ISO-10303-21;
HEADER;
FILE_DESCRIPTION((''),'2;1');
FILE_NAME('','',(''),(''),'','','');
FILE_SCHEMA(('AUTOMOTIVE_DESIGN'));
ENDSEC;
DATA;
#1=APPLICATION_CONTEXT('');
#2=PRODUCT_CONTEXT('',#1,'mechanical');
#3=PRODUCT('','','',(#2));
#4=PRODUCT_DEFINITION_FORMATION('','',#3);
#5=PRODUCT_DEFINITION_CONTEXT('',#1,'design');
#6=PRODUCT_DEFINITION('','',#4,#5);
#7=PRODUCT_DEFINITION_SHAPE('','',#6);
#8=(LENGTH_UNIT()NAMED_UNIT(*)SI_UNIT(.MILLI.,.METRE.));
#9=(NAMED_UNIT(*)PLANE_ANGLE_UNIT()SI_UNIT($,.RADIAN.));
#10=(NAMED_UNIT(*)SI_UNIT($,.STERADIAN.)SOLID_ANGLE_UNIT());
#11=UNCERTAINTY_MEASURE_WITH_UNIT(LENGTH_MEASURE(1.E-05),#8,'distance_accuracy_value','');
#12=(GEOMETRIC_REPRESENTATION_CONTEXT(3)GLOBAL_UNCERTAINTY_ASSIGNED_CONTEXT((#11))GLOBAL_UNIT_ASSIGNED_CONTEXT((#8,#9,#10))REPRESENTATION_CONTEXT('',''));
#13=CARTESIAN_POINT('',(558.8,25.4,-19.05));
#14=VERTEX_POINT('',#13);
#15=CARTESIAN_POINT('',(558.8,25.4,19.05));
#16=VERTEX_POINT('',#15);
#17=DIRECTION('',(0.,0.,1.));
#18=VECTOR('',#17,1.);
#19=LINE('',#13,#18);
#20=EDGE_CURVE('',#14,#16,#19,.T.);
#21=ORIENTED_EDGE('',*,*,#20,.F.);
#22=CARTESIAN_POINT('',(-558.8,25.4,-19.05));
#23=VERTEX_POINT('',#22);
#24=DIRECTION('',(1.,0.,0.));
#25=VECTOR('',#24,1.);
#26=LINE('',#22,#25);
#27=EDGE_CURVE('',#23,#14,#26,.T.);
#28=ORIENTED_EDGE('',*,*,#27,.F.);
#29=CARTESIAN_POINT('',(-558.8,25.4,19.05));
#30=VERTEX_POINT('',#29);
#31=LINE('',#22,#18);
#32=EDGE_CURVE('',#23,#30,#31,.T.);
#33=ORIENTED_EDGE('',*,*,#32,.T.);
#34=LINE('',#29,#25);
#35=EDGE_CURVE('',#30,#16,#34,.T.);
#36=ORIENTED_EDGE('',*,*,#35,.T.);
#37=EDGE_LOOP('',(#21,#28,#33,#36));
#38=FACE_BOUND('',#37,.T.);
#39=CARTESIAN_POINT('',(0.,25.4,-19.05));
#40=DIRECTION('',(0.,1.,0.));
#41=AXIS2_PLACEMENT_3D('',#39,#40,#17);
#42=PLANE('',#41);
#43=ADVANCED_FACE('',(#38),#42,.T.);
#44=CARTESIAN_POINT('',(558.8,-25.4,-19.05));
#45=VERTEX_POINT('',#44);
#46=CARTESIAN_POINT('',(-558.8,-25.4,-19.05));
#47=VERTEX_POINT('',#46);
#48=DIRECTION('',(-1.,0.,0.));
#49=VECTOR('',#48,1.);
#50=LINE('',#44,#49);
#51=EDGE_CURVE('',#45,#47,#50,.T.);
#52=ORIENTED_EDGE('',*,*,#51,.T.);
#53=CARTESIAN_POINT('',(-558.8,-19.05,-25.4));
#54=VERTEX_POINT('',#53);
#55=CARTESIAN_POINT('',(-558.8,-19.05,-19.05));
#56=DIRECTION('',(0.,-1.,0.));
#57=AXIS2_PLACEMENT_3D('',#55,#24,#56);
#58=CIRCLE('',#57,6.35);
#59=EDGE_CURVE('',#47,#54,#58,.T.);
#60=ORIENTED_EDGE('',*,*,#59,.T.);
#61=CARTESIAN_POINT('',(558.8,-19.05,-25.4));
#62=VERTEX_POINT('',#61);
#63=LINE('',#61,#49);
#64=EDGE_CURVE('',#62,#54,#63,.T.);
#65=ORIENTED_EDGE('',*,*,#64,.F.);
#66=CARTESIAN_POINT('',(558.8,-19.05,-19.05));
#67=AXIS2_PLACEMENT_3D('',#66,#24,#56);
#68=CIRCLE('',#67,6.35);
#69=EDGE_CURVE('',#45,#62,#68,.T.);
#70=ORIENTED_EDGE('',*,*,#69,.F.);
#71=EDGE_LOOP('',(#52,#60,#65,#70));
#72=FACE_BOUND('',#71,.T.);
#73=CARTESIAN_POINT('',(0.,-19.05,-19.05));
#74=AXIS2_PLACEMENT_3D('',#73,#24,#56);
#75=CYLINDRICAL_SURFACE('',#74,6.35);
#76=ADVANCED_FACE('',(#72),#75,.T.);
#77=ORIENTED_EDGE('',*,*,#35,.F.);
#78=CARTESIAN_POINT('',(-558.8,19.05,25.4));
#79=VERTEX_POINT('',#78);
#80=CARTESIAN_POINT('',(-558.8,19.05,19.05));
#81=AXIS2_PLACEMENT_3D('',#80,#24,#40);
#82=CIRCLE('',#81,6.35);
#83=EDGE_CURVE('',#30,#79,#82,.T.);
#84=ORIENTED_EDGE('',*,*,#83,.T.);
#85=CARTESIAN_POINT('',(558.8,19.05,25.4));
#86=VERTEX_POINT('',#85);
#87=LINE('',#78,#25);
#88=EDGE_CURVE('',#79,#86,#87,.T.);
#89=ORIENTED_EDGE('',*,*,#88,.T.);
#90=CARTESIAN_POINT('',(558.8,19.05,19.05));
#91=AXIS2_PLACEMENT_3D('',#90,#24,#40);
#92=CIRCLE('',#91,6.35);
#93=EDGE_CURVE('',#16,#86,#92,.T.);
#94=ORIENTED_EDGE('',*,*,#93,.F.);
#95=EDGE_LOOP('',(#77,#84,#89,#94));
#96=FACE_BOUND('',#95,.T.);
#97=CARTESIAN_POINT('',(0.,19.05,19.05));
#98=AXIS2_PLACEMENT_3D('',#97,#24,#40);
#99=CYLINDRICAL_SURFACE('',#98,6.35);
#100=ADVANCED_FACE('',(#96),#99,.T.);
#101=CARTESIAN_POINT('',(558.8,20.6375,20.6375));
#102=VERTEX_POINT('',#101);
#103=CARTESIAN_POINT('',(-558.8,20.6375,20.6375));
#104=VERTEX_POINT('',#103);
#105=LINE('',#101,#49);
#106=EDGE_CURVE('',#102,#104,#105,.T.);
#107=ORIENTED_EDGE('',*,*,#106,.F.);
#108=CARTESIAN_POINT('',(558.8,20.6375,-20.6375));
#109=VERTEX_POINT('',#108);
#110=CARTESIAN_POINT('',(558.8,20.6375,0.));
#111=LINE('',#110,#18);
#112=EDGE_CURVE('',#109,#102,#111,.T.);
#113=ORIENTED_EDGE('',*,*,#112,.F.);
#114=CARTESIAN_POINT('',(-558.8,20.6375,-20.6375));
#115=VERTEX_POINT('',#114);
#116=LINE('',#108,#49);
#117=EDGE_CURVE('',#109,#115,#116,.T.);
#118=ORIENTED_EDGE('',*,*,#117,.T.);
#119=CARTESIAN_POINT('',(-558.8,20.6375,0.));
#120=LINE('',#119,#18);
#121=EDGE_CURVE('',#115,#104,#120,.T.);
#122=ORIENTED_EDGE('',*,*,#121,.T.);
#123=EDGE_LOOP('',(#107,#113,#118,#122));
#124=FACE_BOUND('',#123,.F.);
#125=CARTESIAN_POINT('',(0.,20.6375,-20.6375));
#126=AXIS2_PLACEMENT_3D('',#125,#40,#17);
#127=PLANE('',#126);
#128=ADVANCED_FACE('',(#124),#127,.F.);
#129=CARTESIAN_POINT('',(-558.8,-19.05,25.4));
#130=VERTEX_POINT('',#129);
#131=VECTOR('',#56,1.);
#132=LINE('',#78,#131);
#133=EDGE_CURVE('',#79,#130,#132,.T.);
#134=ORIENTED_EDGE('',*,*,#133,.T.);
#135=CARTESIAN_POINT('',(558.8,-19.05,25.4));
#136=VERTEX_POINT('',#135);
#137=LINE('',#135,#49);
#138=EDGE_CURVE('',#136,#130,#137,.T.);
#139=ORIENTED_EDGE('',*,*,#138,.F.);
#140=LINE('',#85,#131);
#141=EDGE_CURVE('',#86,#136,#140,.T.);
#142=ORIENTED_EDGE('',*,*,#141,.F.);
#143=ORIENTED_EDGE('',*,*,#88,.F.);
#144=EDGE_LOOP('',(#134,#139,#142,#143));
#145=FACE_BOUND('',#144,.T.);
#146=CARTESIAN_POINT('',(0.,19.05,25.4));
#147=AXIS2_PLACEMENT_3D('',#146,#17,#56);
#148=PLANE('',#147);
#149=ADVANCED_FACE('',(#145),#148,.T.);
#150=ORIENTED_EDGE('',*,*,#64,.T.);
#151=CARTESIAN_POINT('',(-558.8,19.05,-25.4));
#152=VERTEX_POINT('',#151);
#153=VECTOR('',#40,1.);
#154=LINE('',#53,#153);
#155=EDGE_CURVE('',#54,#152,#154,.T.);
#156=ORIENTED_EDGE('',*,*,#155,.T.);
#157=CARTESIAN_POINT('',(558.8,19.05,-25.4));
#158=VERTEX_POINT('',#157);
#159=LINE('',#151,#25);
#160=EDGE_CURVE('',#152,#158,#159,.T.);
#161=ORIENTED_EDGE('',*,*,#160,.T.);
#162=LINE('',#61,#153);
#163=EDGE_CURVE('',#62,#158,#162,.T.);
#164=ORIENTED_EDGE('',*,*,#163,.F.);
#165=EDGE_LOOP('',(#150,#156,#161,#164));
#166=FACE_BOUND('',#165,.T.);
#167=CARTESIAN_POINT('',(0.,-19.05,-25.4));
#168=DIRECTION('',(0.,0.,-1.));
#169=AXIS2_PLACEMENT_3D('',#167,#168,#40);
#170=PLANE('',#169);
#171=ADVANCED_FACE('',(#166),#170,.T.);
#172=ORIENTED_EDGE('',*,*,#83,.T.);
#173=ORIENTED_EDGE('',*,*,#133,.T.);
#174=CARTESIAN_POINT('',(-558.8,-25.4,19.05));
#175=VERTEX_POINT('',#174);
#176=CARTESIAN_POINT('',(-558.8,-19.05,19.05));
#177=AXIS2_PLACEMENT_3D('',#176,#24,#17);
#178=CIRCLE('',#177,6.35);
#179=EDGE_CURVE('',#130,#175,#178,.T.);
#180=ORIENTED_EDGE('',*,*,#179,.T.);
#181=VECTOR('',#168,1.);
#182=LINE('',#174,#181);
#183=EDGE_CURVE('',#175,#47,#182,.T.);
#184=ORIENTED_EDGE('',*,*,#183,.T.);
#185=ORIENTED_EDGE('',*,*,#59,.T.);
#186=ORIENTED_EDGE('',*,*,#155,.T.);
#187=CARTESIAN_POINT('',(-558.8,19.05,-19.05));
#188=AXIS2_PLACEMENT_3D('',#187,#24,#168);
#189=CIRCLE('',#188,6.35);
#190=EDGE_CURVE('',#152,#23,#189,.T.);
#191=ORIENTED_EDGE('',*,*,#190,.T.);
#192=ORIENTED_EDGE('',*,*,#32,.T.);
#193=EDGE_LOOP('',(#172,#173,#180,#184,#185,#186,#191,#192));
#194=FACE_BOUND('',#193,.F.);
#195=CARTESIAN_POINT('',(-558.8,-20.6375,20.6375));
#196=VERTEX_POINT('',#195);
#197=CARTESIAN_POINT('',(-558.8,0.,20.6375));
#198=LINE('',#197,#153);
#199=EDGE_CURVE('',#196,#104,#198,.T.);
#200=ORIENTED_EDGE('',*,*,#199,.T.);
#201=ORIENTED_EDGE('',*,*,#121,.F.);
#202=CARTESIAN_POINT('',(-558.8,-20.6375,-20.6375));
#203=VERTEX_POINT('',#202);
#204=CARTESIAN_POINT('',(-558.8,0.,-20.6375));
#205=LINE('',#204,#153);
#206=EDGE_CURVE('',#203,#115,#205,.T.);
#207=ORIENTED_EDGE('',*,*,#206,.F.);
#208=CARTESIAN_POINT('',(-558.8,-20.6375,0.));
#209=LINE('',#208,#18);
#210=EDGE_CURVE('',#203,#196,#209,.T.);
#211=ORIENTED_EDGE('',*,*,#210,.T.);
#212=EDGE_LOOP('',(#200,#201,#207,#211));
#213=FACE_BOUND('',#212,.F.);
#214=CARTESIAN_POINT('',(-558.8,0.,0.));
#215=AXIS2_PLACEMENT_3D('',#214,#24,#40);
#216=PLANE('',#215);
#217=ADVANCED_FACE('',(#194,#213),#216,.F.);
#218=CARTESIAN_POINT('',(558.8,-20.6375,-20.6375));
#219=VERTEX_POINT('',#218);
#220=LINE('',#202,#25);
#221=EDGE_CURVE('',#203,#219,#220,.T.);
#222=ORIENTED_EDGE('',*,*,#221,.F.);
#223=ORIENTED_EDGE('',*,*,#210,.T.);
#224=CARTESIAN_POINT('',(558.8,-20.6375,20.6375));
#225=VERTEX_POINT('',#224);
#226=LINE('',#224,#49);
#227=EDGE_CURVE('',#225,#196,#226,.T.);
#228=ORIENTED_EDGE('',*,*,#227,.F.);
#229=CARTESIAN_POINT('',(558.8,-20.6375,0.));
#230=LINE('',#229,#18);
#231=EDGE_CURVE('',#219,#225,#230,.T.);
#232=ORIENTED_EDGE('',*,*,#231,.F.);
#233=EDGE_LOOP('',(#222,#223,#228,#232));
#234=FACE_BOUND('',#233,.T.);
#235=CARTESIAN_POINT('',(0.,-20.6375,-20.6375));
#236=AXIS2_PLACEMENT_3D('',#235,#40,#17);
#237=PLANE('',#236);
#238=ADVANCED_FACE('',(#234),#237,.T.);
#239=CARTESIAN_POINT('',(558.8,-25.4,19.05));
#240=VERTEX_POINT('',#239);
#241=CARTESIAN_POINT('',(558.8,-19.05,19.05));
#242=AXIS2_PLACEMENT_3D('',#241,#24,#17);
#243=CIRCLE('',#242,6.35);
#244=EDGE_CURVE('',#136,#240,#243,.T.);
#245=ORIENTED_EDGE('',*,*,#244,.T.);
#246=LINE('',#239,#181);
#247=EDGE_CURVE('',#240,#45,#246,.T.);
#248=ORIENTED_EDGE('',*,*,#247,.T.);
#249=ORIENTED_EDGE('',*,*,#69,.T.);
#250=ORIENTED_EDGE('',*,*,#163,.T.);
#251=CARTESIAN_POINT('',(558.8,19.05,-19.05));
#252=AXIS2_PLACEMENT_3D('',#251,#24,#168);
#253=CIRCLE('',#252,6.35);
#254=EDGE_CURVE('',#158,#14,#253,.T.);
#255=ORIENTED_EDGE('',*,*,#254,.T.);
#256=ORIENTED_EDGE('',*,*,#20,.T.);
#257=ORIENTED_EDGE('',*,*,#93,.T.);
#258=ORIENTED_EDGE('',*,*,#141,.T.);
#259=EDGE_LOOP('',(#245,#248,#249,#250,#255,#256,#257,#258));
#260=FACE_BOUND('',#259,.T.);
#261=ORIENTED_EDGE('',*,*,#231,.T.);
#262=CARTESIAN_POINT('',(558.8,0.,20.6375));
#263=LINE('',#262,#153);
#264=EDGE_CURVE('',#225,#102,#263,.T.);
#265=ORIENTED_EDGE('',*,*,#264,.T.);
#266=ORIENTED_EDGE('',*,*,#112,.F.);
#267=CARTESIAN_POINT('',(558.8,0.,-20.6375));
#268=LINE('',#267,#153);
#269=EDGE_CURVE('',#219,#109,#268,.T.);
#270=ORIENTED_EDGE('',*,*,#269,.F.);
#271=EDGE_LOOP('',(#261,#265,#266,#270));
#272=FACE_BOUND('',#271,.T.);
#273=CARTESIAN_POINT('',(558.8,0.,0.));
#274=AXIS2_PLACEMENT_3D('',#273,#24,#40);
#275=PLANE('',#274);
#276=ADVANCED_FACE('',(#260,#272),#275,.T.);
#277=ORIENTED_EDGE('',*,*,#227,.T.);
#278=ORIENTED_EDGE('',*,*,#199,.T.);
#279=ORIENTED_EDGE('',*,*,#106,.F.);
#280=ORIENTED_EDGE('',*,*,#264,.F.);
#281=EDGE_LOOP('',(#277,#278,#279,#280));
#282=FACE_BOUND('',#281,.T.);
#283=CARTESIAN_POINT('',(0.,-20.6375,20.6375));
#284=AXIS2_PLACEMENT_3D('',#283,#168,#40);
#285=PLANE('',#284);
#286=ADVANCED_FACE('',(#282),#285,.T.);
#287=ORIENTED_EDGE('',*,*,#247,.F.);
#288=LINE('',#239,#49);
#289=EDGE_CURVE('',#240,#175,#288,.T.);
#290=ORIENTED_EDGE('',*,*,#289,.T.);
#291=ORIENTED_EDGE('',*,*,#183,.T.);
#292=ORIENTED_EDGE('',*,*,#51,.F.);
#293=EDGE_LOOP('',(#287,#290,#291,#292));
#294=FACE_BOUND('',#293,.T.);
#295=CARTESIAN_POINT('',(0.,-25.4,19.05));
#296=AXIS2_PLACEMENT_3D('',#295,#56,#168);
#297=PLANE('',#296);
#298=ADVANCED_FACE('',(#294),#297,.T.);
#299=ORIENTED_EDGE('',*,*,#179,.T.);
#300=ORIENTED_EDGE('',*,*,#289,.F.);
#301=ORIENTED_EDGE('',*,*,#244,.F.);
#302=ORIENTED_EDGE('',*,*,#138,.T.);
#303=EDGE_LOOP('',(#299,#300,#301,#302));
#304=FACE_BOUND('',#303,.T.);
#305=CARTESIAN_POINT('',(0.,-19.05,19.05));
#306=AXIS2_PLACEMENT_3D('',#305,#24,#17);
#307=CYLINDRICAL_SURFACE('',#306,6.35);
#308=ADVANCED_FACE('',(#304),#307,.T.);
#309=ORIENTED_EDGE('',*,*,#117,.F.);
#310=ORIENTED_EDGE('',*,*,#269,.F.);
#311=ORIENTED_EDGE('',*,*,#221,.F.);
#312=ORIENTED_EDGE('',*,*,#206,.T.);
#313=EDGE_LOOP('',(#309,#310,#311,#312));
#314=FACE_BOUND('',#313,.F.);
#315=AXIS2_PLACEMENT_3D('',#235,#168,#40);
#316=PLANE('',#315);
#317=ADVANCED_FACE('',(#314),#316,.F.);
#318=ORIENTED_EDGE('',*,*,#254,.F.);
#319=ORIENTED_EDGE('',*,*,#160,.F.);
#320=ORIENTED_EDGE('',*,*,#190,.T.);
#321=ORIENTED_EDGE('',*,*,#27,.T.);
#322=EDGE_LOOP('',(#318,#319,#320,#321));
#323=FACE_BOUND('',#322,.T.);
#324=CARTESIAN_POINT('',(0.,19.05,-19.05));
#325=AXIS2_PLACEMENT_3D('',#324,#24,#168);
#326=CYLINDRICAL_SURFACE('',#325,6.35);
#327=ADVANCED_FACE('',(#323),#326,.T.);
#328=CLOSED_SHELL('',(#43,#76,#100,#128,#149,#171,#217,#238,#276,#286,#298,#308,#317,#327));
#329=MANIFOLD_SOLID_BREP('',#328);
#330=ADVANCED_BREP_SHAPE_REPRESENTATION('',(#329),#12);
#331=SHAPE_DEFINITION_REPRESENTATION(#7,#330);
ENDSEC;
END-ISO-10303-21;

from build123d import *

# Parameters (mm, degrees)
F0_W     = 41.275
F0_H     = 41.275
F1_DEPTH = 558.8


with BuildPart() as f1:
    # F0 (on Right) → F1 (new body, symmetric)
    with BuildSketch(Plane.YZ):
        with BuildLine():
            Line((-19.05, -25.4), (19.05, -25.4))
            ThreePointArc((19.05, -25.4), (23.5401280605, -23.5401280605), (25.4, -19.05))
            Line((25.4, -19.05), (25.4, 19.05))
            ThreePointArc((25.4, 19.05), (23.5401280605, 23.5401280605), (19.05, 25.4))
            Line((19.05, 25.4), (-19.05, 25.4))
            ThreePointArc((-19.05, 25.4), (-23.5401280605, 23.5401280605), (-25.4, 19.05))
            Line((-25.4, 19.05), (-25.4, -19.05))
            ThreePointArc((-25.4, -19.05), (-23.5401280605, -23.5401280605), (-19.05, -25.4))
        make_face()
        Rectangle(F0_W, F0_H, mode=Mode.SUBTRACT)
    extrude(amount=F1_DEPTH, both=True)


solid = f1.part
